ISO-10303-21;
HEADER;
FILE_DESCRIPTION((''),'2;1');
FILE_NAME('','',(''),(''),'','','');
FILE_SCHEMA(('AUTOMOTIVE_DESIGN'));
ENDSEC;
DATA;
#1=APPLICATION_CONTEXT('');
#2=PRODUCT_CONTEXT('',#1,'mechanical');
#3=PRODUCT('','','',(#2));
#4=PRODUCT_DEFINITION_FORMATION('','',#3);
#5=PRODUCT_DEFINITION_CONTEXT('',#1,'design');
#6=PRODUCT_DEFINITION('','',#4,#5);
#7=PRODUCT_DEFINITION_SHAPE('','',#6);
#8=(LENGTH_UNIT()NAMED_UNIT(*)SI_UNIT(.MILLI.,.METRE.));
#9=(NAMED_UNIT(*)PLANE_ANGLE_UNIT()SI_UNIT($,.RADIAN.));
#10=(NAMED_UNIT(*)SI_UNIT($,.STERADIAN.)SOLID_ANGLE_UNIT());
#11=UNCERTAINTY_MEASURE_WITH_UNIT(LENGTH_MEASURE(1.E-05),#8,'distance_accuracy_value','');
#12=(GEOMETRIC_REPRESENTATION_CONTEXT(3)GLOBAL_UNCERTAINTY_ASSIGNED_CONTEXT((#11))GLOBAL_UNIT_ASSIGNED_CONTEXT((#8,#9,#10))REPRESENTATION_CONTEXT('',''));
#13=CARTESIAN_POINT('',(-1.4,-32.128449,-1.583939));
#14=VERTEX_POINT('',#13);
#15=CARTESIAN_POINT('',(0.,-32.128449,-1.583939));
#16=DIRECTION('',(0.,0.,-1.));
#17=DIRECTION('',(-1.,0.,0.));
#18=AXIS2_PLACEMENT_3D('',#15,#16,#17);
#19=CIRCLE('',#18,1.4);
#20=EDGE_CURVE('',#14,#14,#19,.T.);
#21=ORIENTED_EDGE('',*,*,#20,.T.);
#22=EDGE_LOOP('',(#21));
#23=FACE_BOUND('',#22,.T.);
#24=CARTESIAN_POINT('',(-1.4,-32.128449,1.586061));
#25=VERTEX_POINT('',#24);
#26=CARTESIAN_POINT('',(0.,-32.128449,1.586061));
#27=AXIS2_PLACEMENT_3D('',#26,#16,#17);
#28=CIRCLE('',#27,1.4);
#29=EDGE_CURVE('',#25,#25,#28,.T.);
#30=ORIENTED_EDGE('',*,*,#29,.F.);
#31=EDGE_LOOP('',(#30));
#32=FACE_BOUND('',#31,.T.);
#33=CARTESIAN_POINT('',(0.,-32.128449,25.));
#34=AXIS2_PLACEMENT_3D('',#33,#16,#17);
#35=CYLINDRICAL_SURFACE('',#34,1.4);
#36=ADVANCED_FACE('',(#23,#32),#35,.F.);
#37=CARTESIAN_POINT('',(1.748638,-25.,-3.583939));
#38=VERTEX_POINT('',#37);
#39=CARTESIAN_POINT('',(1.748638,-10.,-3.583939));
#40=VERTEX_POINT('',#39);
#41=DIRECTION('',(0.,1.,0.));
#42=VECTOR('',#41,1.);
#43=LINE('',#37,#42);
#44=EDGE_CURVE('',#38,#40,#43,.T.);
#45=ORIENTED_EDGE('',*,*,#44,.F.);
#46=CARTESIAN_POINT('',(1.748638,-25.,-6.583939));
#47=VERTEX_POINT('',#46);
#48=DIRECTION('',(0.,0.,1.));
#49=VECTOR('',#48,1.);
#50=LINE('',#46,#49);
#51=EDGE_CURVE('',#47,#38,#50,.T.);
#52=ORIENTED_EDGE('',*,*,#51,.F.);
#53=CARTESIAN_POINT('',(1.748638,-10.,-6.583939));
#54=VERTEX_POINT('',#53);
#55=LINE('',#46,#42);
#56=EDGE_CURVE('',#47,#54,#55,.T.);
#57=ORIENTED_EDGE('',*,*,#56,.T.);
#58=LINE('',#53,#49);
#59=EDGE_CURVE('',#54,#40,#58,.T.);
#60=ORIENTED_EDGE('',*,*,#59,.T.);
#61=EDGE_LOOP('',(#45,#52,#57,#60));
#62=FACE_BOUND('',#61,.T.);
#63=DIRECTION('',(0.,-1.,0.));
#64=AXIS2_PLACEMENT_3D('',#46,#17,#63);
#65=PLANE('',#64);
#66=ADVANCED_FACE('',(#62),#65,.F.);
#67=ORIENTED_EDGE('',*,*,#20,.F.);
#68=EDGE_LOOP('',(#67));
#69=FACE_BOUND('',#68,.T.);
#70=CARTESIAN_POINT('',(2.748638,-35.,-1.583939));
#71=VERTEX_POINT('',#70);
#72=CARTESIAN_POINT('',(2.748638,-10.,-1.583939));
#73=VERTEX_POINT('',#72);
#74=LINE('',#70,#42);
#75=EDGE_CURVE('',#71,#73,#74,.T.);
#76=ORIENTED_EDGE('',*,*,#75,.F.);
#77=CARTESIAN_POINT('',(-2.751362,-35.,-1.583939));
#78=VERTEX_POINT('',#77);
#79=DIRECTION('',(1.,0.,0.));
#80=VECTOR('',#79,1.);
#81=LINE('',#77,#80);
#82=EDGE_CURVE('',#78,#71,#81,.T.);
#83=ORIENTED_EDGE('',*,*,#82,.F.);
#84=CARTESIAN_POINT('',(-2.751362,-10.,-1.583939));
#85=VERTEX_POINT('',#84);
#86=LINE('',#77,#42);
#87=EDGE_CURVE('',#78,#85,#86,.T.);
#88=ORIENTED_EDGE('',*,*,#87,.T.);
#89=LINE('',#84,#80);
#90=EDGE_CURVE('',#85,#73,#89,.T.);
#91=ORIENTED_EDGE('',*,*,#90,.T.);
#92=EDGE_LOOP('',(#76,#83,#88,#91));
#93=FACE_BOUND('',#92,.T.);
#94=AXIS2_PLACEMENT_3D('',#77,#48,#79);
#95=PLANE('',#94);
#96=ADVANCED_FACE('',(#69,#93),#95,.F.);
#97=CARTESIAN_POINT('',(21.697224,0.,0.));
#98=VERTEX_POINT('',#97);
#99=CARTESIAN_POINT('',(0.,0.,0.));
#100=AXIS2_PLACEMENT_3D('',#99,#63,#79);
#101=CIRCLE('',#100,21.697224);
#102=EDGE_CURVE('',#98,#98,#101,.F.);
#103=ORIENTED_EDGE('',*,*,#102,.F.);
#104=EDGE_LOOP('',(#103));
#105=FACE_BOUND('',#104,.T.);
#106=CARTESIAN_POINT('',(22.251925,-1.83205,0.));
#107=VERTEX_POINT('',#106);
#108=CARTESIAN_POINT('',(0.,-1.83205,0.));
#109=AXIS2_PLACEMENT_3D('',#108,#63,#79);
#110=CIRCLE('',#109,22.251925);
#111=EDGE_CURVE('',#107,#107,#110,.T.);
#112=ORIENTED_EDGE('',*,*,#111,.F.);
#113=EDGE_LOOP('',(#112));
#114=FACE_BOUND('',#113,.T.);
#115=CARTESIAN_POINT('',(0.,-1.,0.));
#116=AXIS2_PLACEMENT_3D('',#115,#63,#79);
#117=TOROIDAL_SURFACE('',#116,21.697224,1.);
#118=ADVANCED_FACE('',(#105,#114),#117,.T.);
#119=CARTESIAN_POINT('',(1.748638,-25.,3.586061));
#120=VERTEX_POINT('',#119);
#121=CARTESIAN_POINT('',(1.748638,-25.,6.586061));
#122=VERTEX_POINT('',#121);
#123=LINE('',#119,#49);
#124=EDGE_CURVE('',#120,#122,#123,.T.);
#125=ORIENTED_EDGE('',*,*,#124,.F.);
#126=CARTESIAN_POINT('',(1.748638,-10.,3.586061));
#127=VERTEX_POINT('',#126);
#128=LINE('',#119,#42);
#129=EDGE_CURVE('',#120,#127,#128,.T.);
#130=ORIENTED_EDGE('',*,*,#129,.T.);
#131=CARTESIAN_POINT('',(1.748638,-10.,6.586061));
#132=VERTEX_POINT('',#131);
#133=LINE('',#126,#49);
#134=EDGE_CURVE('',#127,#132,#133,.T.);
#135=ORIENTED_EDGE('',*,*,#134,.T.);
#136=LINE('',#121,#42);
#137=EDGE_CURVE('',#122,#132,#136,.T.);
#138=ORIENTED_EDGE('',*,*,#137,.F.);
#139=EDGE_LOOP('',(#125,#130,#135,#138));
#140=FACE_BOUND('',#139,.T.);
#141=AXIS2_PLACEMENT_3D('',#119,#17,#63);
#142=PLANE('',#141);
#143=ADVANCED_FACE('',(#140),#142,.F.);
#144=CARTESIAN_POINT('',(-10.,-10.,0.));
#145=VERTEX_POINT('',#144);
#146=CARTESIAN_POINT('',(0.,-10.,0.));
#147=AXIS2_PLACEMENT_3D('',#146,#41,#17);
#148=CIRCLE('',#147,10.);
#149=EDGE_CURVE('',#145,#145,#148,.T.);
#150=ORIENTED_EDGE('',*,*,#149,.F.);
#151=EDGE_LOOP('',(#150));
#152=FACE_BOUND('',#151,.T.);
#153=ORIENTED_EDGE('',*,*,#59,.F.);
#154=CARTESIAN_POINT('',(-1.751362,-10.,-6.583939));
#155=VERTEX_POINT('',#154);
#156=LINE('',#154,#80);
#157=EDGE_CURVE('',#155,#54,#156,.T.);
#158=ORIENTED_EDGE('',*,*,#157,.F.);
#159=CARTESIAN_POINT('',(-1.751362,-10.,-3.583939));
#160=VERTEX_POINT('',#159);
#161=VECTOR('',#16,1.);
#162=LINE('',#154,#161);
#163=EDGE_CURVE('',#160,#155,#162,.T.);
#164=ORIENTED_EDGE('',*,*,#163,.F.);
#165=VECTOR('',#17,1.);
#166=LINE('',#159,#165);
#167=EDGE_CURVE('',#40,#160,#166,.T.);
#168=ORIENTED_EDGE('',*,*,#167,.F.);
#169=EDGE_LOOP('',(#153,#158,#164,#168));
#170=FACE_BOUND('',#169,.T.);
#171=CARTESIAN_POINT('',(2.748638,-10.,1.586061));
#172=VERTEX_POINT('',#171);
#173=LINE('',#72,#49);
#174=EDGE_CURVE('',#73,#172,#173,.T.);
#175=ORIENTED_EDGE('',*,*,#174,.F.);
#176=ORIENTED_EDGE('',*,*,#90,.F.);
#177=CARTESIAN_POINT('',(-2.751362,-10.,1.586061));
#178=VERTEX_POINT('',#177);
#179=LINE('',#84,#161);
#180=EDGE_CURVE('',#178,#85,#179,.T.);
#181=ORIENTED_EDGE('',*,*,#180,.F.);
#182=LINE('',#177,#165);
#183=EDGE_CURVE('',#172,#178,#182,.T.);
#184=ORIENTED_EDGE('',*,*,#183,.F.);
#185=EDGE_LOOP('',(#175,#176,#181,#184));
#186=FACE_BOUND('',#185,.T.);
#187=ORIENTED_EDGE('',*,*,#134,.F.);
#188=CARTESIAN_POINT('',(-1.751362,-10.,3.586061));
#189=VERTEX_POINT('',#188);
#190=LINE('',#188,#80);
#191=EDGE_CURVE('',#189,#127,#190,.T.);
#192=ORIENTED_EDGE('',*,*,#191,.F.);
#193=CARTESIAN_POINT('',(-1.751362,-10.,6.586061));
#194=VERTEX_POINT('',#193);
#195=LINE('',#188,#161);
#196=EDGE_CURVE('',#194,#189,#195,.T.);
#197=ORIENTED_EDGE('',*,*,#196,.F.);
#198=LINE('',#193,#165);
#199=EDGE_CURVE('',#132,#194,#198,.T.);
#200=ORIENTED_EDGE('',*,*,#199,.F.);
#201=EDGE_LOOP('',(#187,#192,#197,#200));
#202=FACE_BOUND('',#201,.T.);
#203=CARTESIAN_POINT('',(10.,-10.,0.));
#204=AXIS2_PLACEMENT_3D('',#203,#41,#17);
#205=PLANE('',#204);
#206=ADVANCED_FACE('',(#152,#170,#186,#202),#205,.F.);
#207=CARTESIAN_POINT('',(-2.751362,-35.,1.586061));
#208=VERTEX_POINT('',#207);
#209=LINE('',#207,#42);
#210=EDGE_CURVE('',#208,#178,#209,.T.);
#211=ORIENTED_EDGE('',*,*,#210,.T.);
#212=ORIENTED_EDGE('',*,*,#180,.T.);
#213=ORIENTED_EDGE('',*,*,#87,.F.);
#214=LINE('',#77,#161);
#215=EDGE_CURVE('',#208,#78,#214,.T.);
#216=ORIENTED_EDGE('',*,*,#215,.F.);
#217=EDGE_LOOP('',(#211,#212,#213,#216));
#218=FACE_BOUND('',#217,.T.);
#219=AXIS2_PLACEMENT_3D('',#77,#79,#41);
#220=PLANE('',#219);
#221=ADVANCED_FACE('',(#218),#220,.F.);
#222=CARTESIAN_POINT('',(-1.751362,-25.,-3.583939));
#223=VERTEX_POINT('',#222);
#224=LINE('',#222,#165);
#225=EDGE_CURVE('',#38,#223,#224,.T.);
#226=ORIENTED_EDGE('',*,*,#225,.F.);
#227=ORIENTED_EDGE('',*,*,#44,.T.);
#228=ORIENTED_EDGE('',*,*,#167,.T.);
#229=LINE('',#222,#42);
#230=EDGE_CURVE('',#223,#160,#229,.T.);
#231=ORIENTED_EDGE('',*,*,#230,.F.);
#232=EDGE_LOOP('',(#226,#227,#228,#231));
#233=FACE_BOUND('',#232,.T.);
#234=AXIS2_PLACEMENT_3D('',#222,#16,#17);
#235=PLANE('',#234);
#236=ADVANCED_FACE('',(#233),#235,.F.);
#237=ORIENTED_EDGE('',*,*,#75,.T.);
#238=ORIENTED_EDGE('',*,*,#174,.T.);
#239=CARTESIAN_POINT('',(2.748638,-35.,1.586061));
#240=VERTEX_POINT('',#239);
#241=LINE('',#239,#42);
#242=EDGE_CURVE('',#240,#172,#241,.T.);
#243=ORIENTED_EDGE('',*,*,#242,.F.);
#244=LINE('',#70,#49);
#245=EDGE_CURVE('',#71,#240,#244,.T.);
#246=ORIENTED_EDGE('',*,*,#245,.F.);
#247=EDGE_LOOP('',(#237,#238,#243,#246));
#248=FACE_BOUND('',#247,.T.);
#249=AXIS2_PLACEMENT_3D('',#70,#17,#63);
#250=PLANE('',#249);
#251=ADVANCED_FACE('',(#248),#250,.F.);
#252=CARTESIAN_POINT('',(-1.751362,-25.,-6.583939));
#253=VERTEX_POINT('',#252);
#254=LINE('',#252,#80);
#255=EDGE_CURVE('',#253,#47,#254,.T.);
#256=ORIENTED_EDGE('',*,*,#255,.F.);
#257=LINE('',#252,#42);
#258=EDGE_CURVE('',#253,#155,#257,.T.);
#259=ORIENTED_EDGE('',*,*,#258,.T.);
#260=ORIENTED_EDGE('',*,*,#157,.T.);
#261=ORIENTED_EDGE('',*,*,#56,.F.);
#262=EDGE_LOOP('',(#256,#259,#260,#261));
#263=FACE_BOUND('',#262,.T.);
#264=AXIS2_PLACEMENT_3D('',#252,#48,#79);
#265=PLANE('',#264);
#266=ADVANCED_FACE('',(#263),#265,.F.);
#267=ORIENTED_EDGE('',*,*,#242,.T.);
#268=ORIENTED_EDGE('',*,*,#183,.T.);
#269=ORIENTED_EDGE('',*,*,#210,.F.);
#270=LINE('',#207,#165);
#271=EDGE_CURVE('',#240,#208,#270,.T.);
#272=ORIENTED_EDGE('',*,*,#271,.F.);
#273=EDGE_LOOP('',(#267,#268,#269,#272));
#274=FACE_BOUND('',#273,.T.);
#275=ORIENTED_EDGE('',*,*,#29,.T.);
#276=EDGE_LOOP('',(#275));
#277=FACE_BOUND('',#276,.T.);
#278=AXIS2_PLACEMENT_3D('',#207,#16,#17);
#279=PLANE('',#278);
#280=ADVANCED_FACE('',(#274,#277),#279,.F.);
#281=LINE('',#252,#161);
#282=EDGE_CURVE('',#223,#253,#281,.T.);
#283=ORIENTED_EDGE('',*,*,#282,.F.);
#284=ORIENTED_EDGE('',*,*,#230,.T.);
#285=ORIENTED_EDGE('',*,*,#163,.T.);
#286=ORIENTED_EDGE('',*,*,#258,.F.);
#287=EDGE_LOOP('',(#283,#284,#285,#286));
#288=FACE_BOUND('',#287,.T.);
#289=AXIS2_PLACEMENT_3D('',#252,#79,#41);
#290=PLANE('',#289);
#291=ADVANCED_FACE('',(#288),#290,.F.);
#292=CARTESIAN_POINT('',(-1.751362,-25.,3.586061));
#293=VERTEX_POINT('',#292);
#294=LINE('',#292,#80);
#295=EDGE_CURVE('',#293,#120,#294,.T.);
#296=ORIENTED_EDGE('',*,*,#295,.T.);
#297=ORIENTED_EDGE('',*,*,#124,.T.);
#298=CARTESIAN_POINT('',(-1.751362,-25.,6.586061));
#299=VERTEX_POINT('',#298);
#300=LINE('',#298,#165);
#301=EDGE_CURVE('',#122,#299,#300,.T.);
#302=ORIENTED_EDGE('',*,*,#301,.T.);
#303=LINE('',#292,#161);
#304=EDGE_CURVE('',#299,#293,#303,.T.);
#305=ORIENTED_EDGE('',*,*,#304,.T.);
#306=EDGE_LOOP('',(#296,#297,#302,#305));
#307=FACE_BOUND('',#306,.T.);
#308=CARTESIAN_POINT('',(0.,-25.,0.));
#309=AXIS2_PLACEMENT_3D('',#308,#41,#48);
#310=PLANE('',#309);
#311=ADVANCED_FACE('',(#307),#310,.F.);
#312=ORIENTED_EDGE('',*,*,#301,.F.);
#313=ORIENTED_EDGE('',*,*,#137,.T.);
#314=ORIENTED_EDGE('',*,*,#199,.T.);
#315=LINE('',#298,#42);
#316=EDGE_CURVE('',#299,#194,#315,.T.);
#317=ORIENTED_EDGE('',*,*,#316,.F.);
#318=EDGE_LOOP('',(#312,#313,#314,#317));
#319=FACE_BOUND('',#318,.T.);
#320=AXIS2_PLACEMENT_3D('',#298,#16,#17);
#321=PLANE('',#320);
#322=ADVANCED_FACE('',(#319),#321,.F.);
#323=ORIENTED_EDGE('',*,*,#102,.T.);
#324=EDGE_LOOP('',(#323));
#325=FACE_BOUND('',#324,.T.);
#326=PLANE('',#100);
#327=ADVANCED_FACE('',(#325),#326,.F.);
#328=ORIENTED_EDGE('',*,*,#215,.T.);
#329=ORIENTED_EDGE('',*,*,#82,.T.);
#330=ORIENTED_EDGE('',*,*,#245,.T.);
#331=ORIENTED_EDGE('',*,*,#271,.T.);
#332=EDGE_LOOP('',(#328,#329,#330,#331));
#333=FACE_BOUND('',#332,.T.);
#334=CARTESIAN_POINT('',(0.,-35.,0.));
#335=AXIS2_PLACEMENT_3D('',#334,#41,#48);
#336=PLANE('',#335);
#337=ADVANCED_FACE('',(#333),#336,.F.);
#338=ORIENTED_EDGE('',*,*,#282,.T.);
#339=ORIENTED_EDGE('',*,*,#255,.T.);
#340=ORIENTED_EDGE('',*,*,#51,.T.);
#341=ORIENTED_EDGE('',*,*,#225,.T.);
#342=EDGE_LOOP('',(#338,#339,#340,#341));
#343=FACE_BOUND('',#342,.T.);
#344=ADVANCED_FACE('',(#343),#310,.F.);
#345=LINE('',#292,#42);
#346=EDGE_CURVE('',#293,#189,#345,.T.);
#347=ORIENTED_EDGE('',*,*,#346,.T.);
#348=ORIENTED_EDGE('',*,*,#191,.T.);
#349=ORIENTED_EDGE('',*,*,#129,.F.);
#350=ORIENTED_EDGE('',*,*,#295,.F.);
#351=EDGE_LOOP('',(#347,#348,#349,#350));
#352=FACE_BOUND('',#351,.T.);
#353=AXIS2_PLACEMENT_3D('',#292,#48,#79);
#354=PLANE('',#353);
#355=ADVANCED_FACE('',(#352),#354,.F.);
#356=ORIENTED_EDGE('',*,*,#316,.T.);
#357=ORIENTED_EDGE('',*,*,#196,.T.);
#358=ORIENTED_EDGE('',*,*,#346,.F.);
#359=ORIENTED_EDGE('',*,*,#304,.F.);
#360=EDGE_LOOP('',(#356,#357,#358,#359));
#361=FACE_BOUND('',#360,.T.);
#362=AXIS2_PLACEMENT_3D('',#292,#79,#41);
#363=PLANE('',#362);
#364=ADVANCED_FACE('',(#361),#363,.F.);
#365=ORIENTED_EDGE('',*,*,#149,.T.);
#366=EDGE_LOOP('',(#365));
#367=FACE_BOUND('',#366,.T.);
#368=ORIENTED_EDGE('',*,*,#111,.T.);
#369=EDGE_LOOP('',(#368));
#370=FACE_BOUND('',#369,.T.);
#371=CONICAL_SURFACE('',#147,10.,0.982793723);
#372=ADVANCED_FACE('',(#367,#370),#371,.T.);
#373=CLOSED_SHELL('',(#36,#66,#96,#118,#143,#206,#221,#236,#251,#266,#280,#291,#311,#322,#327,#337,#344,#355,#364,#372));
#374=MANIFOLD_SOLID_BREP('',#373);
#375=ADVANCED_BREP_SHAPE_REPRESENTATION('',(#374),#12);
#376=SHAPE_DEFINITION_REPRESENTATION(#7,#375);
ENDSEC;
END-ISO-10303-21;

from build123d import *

# Parameters (mm, degrees)
SKETCH2_W           = 5.5
SKETCH2_H           = 3.17
BOSS_EXTRUDE1_DEPTH = 25
SKETCH3_R           = 1.4
CUT_EXTRUDE1_DEPTH  = 27.583939305
SKETCH6_W           = 3.5
SKETCH6_H           = 3
BOSS_EXTRUDE2_DEPTH = 15
FILLET2_R           = 1


with BuildPart() as part:
    # Sketch1 → Revolve1 (revolve)
    with BuildSketch(Plane.XY):
        Polygon((0, 0), (25, 0), (10, -10), (0, -10), align=None)
    revolve(axis=Axis((0, 0, 0), (0, -1, 0)))

    # Sketch2 → Boss-Extrude1 (add)
    with BuildSketch(Plane.XZ.offset(10)):
        with Locations((-0.00136169, 0.001060695)):
            Rectangle(SKETCH2_W, SKETCH2_H)
    extrude(amount=BOSS_EXTRUDE1_DEPTH)

    # Sketch3 → Cut-Extrude1 (cut, through all)
    with BuildSketch(Plane(origin=(0, 0, -1.583939305), x_dir=(-1, 0, 0), z_dir=(0, 0, -1))):
        with Locations((0, -32.128448622)):
            Circle(SKETCH3_R)
    extrude(amount=-CUT_EXTRUDE1_DEPTH, mode=Mode.SUBTRACT)

    # Sketch6 → Boss-Extrude2 (add)
    with BuildSketch(Plane.XZ.offset(10)):
        with Locations((-0.00136169, -5.083939305)):
            Rectangle(SKETCH6_W, SKETCH6_H)
        with Locations((-0.00136169, 5.086060695)):
            Rectangle(SKETCH6_W, SKETCH6_H)
    extrude(amount=BOSS_EXTRUDE2_DEPTH)

    # Fillet2
    fillet2_edges = [part.edges().sort_by_distance(p)[0] for p in [
        (-25, 0, 0),
    ]]
    fillet(fillet2_edges, radius=FILLET2_R)


solid = part.part
